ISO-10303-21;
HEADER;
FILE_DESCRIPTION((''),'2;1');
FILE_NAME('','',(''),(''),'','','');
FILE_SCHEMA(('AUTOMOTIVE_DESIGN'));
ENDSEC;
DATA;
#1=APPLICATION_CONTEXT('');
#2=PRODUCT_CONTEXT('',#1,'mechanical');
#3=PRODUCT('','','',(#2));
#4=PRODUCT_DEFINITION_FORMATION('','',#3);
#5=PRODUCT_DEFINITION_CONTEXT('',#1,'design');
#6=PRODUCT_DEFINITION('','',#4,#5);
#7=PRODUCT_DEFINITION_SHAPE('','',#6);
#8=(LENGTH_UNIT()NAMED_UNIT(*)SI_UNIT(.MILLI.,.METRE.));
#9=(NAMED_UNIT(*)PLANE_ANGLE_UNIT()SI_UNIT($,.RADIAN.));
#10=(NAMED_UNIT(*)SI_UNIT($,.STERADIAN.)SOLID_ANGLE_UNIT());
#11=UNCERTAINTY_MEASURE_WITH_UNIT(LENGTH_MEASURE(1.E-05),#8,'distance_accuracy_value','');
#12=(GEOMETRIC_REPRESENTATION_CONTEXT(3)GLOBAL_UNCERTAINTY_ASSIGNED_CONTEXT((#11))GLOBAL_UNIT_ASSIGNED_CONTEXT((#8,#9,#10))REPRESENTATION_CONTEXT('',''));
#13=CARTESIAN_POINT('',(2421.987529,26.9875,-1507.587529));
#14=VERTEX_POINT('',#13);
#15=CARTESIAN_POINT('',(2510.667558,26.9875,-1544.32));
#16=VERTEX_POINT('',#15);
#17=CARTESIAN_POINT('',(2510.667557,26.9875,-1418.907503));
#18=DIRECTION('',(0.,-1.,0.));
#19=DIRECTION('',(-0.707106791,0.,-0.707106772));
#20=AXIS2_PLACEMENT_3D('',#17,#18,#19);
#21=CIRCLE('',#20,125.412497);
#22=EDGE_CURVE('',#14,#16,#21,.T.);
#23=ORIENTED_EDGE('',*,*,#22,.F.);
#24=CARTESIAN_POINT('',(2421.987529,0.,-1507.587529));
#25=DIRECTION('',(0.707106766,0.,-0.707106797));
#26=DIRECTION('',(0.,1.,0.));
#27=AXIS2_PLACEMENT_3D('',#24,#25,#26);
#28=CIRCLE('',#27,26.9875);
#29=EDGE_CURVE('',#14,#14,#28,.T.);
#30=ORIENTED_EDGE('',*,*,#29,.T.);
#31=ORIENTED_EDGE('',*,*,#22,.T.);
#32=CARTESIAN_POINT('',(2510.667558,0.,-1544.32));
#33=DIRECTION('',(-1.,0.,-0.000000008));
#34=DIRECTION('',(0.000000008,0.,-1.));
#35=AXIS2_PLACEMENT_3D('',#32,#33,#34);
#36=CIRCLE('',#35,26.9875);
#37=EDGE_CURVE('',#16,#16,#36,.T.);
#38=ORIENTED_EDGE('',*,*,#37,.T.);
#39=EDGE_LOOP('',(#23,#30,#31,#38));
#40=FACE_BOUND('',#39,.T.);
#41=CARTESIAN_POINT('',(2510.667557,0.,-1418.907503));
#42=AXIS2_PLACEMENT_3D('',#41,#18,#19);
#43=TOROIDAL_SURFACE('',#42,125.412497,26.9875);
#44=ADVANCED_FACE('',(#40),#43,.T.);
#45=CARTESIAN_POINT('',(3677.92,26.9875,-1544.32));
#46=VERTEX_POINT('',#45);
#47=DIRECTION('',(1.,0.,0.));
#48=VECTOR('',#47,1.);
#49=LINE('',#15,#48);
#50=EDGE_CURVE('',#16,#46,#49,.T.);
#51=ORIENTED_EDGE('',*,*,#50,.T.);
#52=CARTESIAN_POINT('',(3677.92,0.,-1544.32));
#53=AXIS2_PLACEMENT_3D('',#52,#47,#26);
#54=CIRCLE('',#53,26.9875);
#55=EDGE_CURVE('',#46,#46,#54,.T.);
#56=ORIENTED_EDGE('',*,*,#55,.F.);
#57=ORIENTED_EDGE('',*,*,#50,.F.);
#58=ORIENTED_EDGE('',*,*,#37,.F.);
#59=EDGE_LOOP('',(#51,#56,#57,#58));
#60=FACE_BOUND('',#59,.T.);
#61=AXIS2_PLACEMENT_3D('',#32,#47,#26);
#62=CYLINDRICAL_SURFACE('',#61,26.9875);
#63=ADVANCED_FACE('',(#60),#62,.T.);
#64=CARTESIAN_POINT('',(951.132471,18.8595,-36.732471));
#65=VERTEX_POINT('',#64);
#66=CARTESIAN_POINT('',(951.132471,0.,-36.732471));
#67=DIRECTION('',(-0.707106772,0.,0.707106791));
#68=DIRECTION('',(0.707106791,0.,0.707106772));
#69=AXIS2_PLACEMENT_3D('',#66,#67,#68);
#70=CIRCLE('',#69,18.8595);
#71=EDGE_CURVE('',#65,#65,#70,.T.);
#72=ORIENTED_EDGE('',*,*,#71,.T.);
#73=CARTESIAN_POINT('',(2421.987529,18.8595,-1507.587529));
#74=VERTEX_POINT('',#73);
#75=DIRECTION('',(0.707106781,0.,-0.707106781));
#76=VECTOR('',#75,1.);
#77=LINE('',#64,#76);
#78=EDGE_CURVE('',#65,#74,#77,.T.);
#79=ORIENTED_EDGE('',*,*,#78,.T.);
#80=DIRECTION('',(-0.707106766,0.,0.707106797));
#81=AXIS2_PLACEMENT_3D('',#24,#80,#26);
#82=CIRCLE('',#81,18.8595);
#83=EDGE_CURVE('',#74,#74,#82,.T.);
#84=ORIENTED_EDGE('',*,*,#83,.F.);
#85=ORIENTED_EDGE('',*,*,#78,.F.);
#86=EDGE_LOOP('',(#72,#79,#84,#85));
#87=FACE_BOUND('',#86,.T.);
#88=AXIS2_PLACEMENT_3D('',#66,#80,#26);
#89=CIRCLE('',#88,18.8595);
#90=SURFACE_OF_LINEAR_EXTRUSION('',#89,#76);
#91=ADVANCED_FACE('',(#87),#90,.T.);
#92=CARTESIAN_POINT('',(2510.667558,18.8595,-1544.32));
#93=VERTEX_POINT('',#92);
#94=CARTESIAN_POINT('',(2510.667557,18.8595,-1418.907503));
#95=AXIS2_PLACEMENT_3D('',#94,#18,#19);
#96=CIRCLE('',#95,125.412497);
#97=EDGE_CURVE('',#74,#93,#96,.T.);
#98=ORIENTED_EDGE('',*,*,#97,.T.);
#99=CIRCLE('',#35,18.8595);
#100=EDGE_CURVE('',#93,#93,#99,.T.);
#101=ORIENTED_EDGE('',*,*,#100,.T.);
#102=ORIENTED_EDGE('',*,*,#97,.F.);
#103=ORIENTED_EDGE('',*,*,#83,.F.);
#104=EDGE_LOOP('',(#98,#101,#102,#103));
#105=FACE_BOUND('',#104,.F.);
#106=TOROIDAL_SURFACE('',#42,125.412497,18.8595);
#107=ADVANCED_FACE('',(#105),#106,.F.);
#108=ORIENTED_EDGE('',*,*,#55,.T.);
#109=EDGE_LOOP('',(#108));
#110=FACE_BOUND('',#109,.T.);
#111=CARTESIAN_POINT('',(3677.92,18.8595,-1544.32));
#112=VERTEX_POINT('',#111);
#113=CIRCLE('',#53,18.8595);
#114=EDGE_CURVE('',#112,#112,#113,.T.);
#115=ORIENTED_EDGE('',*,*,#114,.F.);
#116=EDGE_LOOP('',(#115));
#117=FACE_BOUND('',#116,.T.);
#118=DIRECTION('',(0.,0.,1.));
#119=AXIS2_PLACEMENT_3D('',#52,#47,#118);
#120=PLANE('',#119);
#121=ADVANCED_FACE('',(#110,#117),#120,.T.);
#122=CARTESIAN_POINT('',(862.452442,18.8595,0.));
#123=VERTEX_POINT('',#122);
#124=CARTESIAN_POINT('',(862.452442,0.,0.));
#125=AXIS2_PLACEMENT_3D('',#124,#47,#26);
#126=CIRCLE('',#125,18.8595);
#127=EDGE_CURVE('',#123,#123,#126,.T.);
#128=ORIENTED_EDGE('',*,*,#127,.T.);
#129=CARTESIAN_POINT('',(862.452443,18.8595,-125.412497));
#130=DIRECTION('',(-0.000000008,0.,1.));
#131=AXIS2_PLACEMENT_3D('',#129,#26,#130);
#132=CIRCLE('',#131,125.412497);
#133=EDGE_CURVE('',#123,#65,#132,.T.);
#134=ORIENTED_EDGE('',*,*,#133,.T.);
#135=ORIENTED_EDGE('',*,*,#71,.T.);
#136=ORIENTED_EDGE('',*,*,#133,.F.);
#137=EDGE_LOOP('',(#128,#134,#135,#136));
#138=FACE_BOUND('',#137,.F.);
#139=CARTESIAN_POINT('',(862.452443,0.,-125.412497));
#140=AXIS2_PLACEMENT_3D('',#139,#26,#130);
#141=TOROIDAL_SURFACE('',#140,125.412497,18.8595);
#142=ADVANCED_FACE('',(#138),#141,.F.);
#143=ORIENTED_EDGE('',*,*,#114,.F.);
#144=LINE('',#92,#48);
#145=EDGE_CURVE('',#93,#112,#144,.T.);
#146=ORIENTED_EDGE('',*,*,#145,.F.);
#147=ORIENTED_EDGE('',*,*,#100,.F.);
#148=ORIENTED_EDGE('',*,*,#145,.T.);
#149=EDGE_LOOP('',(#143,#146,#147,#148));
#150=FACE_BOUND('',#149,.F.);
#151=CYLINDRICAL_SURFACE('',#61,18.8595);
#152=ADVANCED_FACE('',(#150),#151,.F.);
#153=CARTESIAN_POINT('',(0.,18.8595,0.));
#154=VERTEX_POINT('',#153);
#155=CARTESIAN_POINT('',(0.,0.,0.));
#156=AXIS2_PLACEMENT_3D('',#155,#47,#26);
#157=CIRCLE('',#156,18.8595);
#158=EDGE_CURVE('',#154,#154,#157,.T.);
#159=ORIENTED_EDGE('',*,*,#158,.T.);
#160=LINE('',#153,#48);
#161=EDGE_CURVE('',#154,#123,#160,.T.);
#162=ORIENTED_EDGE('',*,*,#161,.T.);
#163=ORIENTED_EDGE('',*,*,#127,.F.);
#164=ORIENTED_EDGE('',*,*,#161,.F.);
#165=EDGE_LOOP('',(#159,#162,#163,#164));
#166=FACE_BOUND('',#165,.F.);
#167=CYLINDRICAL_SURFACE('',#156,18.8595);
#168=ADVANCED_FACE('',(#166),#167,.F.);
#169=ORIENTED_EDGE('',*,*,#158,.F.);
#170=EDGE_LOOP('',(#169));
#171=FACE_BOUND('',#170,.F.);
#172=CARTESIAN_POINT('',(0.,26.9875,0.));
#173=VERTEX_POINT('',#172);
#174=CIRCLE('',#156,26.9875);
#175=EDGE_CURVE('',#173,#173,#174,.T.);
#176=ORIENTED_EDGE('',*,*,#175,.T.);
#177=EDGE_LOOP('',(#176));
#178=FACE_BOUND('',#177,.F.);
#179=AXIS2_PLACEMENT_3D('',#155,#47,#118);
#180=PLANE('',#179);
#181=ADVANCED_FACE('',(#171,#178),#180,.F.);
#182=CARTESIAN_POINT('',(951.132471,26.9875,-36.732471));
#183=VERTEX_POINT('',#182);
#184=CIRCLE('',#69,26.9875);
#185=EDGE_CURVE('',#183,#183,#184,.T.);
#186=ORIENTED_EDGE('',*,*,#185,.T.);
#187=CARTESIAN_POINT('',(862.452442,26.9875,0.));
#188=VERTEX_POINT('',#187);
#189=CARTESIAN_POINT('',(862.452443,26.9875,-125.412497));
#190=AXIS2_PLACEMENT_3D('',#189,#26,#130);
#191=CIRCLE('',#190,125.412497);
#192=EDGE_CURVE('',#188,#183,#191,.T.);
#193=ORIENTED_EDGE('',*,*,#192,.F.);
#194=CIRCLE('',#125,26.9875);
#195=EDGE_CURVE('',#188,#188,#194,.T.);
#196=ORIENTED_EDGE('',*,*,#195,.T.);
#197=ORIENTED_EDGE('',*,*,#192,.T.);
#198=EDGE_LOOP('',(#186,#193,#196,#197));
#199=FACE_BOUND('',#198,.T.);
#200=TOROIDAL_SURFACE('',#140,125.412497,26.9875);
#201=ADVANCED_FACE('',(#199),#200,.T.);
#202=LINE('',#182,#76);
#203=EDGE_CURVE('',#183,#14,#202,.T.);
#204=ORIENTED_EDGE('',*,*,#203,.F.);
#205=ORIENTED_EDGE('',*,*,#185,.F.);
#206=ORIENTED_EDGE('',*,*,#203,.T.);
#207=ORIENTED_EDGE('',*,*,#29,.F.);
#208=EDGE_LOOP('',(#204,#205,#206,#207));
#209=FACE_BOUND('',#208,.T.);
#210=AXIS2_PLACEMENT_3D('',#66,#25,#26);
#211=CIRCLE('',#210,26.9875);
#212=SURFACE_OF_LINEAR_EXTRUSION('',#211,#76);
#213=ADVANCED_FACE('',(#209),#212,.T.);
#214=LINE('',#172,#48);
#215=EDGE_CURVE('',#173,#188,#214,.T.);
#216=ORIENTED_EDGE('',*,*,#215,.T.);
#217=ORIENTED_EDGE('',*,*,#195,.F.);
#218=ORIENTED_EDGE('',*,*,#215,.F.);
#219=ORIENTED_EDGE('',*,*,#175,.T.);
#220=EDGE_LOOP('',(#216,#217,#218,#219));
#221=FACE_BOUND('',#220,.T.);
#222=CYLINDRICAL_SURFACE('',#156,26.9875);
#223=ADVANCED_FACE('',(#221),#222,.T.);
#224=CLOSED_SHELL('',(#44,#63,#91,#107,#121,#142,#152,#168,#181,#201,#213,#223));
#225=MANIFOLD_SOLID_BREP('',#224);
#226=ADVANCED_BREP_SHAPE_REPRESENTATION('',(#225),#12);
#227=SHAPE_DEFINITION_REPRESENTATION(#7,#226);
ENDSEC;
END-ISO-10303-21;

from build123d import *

# Parameters (mm, degrees)
F1_R   = 26.9875
F1_R_2 = 18.8595


with BuildPart() as f2:
    # F2: sweep along a path in F0
    with BuildLine(Plane.XZ) as f2_path:
        Line((0, 0), (862.452442, 0))
        ThreePointArc((862.452442, 0), (910.445728, -9.546458), (951.132471, -36.732471))
        Line((951.132471, -36.732471), (2421.987529, -1507.587529))
        ThreePointArc((2421.987529, -1507.587529), (2462.674272, -1534.773542), (2510.667558, -1544.32))
        Line((2510.667558, -1544.32), (3677.92, -1544.32))
    # F1 (on Right) → F2 (sweep)
    with BuildSketch(Plane.YZ):
        Circle(F1_R)
        Circle(F1_R_2, mode=Mode.SUBTRACT)
    sweep(path=f2_path.line)


solid = f2.part
